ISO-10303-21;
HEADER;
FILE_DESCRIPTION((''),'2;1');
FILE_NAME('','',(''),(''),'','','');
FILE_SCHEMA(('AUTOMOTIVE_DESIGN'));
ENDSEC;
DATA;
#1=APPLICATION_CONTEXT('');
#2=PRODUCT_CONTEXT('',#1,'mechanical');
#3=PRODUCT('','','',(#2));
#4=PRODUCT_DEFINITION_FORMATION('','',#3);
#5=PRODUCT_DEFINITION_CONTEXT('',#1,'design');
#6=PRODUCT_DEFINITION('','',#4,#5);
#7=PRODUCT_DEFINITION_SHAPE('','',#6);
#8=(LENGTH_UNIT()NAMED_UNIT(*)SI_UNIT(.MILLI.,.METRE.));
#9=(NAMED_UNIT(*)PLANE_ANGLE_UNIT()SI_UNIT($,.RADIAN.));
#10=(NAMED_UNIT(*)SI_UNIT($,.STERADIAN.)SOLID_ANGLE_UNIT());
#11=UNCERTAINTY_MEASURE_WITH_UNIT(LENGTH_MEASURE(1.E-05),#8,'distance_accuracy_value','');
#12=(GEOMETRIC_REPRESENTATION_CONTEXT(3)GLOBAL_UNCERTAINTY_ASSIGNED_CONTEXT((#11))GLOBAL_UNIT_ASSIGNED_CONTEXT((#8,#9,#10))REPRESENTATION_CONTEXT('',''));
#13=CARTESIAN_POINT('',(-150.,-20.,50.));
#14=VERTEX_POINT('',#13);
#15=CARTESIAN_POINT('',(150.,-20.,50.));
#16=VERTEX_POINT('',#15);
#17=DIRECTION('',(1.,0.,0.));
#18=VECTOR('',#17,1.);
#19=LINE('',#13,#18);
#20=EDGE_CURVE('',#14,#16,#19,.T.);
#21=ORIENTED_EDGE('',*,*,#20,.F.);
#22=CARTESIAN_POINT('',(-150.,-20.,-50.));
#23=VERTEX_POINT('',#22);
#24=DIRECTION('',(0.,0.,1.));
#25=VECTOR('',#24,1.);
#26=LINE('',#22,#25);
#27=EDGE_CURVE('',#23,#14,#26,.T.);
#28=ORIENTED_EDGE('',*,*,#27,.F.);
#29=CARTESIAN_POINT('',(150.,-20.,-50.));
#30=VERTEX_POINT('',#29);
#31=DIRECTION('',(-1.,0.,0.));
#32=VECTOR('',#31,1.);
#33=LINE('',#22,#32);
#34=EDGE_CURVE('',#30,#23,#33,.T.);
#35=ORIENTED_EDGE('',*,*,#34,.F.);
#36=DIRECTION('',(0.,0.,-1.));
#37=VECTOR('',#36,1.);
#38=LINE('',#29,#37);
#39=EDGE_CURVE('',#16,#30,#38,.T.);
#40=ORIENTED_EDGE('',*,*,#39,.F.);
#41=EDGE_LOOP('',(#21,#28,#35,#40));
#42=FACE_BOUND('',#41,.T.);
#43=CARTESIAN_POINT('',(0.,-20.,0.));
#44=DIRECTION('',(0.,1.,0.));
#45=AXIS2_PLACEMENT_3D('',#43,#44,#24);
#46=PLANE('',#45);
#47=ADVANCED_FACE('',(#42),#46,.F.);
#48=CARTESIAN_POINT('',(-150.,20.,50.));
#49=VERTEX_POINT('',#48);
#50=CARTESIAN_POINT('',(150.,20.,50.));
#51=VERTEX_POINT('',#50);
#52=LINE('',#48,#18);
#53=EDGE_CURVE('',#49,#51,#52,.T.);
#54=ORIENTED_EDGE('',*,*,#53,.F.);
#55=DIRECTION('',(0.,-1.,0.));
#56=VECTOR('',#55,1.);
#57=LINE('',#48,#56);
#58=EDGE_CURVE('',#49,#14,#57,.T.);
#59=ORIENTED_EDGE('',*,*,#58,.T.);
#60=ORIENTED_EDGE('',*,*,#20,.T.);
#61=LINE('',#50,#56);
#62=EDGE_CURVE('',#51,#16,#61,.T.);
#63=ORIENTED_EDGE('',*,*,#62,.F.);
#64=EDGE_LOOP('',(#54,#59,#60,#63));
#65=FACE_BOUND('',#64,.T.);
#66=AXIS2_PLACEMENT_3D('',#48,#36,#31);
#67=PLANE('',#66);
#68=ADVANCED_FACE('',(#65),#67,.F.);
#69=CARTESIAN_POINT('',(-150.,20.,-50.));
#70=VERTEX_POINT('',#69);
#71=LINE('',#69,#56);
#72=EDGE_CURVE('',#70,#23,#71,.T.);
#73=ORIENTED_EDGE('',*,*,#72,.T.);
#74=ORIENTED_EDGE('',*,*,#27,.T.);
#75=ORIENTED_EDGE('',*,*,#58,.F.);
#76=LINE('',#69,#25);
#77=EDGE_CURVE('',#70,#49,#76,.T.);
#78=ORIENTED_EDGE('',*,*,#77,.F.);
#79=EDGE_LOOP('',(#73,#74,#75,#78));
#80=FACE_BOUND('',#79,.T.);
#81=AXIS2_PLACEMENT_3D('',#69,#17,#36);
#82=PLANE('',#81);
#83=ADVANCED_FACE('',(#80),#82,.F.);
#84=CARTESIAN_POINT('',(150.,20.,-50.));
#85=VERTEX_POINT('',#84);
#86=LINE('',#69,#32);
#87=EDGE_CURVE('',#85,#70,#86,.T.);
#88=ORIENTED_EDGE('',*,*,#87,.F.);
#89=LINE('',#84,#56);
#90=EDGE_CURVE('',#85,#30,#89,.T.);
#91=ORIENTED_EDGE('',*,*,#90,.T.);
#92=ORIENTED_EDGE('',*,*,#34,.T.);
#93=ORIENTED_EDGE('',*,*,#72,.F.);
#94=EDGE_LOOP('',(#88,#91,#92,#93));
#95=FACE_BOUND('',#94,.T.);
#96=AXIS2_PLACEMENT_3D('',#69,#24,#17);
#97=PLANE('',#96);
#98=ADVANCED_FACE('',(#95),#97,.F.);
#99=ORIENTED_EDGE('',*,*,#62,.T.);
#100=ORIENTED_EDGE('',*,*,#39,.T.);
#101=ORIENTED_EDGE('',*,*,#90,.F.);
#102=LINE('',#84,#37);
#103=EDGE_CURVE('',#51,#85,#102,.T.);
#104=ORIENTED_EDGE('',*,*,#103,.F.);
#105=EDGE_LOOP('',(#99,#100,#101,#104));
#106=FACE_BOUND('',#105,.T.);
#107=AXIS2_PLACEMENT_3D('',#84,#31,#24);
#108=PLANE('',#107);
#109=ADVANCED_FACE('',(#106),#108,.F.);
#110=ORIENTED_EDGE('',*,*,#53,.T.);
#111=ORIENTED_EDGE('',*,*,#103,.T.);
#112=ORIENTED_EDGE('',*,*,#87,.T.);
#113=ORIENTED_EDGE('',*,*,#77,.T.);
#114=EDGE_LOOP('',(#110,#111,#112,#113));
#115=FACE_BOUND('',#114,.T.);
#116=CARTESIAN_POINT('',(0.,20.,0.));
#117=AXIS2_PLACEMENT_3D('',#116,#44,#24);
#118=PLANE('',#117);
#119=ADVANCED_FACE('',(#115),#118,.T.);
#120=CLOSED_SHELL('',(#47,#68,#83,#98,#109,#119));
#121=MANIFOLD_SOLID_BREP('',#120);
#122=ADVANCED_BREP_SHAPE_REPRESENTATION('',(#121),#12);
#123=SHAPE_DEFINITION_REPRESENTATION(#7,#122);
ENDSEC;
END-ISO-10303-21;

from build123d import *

# Parameters (mm, degrees)
SKIZZE8_W                       = 300
SKIZZE8_H                       = 100
AUFSATZ_LINEAR_AUSTRAGEN1_DEPTH = 20


with BuildPart() as part:
    # Skizze8 → Aufsatz-Linear austragen1 (new body, symmetric)
    with BuildSketch(Plane(origin=(0, 0, 0), x_dir=(1, 0, 0), z_dir=(0, 1, 0))):
        Rectangle(SKIZZE8_W, SKIZZE8_H)
    extrude(amount=AUFSATZ_LINEAR_AUSTRAGEN1_DEPTH, both=True)


solid = part.part
